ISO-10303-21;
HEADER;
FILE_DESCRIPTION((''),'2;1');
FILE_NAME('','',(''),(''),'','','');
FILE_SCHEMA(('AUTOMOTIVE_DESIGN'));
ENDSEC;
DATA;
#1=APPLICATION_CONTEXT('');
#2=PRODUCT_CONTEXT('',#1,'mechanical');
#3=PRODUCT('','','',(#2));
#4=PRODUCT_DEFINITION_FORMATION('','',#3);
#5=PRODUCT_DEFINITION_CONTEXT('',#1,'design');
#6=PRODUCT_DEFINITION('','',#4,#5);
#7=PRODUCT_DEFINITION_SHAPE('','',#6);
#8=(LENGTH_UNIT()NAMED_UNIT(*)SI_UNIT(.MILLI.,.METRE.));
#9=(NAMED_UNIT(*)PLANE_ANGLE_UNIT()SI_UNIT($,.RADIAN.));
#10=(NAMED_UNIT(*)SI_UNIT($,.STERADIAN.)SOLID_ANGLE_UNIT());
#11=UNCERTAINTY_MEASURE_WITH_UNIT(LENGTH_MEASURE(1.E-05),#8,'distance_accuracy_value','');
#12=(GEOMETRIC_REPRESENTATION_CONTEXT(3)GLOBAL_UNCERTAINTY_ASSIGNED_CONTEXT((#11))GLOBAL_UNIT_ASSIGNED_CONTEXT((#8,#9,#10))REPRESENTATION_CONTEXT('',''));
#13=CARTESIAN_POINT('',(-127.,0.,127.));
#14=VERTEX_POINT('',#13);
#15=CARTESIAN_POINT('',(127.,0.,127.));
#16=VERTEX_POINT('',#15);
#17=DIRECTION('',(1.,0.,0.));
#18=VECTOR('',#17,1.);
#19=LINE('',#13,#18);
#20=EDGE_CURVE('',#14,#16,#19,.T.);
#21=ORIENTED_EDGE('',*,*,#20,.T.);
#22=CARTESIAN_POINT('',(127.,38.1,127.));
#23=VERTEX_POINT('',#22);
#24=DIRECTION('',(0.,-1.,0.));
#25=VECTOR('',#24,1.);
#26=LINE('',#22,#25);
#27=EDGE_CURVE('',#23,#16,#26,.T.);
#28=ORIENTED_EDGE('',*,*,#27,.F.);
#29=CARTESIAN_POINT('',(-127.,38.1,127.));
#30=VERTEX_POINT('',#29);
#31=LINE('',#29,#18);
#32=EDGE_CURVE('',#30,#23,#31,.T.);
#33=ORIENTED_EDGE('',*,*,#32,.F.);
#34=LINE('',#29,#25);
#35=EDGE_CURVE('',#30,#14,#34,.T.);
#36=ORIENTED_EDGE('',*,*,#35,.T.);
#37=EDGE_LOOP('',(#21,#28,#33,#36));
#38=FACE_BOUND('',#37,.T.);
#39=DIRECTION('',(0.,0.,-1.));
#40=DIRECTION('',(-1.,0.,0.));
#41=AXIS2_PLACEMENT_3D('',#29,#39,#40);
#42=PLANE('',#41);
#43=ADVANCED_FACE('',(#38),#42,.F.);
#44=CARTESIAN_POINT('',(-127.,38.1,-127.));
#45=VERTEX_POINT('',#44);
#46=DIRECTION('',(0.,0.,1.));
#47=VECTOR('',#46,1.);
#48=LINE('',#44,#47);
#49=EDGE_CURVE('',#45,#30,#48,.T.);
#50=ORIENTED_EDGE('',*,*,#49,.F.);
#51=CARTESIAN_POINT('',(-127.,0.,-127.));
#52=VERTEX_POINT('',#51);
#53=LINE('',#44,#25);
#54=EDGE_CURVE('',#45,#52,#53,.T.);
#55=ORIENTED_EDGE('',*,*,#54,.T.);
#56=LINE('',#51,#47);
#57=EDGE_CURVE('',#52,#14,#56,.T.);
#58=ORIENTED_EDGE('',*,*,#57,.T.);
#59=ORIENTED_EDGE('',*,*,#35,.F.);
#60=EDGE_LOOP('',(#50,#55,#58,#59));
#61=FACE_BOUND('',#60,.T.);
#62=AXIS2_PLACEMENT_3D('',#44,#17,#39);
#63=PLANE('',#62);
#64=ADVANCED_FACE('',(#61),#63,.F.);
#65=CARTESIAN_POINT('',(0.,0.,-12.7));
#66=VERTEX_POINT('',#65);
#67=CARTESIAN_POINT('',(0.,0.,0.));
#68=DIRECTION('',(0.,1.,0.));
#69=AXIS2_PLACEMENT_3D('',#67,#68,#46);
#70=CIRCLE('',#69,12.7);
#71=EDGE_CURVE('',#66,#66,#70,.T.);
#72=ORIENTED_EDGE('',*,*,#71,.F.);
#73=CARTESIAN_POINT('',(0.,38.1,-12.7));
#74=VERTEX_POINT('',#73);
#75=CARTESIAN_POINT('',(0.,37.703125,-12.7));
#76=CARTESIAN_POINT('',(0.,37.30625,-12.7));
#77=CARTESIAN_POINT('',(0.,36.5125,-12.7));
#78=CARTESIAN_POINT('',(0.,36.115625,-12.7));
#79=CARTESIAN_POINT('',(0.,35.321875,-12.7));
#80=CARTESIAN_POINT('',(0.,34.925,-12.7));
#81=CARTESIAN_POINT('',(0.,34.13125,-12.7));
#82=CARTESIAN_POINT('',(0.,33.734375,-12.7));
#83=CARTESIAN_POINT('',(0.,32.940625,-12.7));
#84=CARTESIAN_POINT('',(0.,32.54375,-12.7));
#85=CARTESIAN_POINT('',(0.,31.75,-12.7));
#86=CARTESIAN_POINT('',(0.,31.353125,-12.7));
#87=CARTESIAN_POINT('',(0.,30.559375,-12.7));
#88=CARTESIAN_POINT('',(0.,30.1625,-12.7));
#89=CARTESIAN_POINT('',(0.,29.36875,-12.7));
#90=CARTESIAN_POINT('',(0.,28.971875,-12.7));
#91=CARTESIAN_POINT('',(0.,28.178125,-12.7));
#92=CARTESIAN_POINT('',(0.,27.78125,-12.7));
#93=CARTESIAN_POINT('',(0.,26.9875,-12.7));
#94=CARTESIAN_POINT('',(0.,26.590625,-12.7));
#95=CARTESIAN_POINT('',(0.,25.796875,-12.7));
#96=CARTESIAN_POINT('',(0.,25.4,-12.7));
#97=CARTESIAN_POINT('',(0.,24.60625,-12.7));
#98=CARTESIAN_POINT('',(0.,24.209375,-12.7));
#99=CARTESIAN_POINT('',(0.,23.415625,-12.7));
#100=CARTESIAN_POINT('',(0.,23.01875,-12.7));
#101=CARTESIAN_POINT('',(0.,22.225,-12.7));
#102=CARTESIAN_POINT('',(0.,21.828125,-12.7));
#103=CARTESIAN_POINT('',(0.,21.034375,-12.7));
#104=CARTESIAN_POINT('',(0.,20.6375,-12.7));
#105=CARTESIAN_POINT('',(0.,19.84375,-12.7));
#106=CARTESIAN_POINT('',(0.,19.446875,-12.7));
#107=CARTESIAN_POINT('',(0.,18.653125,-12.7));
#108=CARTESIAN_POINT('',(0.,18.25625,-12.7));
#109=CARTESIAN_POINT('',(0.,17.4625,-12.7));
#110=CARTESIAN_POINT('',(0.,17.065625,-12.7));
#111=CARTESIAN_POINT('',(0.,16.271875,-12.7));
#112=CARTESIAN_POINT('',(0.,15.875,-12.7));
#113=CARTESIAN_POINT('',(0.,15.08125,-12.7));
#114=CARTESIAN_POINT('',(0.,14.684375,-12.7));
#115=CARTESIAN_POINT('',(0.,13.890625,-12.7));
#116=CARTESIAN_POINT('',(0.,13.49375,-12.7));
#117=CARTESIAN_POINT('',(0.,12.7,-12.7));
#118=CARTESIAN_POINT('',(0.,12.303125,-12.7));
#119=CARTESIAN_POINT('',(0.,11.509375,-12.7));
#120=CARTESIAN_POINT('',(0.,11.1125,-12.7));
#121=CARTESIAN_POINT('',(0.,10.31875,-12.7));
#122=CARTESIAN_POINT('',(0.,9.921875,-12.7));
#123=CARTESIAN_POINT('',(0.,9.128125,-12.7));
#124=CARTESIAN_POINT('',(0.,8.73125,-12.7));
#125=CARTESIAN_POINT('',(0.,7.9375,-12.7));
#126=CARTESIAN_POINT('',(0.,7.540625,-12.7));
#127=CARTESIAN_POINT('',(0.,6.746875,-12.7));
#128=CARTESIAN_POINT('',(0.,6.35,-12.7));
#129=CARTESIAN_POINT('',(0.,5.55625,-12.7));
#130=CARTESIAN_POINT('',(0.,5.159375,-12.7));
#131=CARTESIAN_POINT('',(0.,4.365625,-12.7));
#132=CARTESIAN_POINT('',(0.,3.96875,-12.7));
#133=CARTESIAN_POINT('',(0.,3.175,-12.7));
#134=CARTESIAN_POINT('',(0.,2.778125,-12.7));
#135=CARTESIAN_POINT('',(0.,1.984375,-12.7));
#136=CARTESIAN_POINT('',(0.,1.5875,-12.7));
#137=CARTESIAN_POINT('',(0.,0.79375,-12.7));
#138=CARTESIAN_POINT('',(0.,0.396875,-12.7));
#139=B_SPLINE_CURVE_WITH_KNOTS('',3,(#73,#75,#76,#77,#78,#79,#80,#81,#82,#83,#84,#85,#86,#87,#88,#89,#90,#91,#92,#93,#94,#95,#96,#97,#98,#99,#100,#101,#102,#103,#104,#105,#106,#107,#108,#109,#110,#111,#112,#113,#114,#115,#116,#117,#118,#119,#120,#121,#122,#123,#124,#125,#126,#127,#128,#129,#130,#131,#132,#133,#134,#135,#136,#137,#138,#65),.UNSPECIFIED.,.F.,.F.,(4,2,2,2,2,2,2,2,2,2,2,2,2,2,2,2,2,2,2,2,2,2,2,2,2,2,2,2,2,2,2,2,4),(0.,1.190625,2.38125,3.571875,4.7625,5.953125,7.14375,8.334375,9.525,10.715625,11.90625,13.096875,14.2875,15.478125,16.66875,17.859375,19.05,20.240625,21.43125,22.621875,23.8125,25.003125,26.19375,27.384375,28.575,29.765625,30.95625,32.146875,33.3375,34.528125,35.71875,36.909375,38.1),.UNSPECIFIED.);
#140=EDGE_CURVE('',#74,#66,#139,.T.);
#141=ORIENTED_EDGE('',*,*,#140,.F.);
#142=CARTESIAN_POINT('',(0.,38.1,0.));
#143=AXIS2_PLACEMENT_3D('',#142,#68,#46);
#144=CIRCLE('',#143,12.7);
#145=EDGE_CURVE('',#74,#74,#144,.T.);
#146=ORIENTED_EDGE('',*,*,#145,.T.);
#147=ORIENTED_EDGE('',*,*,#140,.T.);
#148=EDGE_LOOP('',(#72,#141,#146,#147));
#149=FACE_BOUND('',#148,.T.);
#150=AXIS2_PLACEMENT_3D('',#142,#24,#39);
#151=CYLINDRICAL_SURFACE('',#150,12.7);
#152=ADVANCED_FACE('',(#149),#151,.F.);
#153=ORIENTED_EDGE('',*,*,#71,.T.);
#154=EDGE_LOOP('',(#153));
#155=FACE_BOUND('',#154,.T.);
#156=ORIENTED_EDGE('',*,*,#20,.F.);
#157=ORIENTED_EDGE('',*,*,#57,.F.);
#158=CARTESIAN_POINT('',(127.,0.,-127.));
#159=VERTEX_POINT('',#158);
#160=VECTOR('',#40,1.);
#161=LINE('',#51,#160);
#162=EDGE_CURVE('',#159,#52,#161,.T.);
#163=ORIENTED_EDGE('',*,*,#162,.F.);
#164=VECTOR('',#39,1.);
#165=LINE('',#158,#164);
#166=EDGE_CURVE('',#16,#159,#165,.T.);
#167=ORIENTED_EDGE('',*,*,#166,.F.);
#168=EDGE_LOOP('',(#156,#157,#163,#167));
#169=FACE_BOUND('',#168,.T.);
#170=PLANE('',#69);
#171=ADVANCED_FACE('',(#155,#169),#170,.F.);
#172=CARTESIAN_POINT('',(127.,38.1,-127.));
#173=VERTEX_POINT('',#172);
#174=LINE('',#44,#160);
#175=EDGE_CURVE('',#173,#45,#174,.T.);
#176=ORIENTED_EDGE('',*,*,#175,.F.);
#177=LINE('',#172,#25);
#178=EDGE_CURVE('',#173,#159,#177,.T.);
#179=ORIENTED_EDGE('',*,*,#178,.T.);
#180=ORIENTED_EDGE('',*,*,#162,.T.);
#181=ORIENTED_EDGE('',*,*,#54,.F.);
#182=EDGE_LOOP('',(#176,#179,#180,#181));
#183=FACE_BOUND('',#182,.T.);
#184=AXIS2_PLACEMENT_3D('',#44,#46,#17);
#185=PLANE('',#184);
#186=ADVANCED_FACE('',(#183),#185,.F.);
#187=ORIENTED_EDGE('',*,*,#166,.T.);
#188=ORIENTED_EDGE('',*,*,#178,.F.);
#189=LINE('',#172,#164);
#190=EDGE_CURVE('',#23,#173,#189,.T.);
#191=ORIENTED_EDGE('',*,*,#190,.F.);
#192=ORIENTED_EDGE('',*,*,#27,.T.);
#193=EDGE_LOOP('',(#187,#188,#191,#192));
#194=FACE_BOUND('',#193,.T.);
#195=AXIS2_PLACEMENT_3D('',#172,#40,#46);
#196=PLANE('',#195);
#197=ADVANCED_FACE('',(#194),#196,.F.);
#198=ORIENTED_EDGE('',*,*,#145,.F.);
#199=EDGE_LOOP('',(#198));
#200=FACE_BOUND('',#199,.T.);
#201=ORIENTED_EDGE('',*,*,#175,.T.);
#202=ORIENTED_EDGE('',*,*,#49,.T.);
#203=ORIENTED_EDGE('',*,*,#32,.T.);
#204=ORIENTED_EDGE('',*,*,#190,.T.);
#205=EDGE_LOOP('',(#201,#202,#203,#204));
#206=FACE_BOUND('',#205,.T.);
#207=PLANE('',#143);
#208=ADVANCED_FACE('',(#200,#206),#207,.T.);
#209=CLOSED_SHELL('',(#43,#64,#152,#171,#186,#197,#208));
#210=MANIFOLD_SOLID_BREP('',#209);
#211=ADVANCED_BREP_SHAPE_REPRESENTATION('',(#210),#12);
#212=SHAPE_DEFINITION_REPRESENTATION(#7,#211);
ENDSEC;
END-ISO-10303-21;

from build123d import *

# Parameters (mm, degrees)
SKETCH1_W           = 254
SKETCH1_H           = 254
SKETCH1_R           = 12.7
BOSS_EXTRUDE2_DEPTH = 38.1


with BuildPart() as part:
    # Sketch1 → Boss-Extrude2 (new body)
    with BuildSketch(Plane(origin=(0, 0, 0), x_dir=(1, 0, 0), z_dir=(0, 1, 0))):
        Rectangle(SKETCH1_W, SKETCH1_H)
        with Locations(Location((0, 0, 0), (0, 0, 90))):
            Circle(SKETCH1_R, mode=Mode.SUBTRACT)
    extrude(amount=BOSS_EXTRUDE2_DEPTH)


solid = part.part
